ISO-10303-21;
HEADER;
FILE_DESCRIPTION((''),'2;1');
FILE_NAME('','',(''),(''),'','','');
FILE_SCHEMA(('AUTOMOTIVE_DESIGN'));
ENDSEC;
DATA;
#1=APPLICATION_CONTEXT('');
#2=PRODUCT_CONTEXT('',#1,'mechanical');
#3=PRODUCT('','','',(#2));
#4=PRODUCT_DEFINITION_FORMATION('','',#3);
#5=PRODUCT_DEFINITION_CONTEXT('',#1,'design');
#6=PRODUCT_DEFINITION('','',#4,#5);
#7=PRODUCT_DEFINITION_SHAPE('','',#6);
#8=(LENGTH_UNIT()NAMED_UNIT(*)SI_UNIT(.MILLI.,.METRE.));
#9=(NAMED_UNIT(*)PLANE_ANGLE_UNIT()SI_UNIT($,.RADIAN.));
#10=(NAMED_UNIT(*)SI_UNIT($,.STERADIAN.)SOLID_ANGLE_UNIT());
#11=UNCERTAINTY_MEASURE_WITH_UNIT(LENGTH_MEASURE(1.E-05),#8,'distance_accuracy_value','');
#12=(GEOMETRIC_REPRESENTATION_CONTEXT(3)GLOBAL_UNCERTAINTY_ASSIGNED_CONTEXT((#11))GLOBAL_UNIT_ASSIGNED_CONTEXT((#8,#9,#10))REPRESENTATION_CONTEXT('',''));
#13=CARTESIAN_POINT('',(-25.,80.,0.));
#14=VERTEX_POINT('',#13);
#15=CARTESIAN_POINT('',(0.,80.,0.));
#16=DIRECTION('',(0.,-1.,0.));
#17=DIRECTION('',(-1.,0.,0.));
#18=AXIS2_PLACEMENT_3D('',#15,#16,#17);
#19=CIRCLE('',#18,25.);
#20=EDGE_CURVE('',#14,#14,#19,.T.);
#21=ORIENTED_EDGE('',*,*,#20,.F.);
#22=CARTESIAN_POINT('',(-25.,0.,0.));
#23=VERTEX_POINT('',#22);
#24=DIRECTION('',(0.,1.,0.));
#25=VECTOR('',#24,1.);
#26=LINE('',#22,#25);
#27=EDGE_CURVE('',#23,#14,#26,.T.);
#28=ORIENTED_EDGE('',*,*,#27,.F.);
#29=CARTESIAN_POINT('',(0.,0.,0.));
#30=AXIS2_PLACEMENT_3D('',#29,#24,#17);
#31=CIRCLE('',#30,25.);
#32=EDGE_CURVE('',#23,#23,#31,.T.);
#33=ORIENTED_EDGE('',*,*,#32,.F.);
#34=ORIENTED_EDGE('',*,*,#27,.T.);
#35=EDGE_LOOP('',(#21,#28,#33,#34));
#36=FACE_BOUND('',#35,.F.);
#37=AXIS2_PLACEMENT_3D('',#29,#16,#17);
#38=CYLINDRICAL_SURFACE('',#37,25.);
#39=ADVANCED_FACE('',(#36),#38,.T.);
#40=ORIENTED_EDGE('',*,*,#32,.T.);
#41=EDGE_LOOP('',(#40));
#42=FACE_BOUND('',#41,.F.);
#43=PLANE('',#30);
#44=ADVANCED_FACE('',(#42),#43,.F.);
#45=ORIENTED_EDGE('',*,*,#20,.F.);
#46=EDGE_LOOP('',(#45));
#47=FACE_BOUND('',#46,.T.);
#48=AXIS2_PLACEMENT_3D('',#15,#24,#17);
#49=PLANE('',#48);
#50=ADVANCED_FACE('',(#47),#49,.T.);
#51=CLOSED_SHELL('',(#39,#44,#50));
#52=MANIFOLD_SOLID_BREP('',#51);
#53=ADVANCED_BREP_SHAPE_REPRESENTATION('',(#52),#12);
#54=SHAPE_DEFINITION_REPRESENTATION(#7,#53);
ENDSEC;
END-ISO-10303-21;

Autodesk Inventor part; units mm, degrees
ref_plane "YZ Plane" through (0, 0, 0) normal (1, 0, 0) x (0, 1, 0)
ref_plane "XZ Plane" through (0, 0, 0) normal (0, 1, 0) x (-1, 0, 0)
ref_plane "XY Plane" through (0, 0, 0) normal (0, 0, 1) x (1, 0, 0)
sketch "Sketch1" plane through (0, 0, 0) normal (0, 1, 0) x (-1, 0, 0)
  circle A0 centre (0, 0) radius 25
  circle A1 centre (-16.1397, -19.0921) radius 0.2511
  dimension "d0" = 50
extrude "Extrusion1" add sketch "Sketch1" along normal blind 80 contours A0 A1 | A1 A0 picked at (5.9147, 5.8478) picked at (-16.0926, -19.0228)
properties part number "cslegs"
